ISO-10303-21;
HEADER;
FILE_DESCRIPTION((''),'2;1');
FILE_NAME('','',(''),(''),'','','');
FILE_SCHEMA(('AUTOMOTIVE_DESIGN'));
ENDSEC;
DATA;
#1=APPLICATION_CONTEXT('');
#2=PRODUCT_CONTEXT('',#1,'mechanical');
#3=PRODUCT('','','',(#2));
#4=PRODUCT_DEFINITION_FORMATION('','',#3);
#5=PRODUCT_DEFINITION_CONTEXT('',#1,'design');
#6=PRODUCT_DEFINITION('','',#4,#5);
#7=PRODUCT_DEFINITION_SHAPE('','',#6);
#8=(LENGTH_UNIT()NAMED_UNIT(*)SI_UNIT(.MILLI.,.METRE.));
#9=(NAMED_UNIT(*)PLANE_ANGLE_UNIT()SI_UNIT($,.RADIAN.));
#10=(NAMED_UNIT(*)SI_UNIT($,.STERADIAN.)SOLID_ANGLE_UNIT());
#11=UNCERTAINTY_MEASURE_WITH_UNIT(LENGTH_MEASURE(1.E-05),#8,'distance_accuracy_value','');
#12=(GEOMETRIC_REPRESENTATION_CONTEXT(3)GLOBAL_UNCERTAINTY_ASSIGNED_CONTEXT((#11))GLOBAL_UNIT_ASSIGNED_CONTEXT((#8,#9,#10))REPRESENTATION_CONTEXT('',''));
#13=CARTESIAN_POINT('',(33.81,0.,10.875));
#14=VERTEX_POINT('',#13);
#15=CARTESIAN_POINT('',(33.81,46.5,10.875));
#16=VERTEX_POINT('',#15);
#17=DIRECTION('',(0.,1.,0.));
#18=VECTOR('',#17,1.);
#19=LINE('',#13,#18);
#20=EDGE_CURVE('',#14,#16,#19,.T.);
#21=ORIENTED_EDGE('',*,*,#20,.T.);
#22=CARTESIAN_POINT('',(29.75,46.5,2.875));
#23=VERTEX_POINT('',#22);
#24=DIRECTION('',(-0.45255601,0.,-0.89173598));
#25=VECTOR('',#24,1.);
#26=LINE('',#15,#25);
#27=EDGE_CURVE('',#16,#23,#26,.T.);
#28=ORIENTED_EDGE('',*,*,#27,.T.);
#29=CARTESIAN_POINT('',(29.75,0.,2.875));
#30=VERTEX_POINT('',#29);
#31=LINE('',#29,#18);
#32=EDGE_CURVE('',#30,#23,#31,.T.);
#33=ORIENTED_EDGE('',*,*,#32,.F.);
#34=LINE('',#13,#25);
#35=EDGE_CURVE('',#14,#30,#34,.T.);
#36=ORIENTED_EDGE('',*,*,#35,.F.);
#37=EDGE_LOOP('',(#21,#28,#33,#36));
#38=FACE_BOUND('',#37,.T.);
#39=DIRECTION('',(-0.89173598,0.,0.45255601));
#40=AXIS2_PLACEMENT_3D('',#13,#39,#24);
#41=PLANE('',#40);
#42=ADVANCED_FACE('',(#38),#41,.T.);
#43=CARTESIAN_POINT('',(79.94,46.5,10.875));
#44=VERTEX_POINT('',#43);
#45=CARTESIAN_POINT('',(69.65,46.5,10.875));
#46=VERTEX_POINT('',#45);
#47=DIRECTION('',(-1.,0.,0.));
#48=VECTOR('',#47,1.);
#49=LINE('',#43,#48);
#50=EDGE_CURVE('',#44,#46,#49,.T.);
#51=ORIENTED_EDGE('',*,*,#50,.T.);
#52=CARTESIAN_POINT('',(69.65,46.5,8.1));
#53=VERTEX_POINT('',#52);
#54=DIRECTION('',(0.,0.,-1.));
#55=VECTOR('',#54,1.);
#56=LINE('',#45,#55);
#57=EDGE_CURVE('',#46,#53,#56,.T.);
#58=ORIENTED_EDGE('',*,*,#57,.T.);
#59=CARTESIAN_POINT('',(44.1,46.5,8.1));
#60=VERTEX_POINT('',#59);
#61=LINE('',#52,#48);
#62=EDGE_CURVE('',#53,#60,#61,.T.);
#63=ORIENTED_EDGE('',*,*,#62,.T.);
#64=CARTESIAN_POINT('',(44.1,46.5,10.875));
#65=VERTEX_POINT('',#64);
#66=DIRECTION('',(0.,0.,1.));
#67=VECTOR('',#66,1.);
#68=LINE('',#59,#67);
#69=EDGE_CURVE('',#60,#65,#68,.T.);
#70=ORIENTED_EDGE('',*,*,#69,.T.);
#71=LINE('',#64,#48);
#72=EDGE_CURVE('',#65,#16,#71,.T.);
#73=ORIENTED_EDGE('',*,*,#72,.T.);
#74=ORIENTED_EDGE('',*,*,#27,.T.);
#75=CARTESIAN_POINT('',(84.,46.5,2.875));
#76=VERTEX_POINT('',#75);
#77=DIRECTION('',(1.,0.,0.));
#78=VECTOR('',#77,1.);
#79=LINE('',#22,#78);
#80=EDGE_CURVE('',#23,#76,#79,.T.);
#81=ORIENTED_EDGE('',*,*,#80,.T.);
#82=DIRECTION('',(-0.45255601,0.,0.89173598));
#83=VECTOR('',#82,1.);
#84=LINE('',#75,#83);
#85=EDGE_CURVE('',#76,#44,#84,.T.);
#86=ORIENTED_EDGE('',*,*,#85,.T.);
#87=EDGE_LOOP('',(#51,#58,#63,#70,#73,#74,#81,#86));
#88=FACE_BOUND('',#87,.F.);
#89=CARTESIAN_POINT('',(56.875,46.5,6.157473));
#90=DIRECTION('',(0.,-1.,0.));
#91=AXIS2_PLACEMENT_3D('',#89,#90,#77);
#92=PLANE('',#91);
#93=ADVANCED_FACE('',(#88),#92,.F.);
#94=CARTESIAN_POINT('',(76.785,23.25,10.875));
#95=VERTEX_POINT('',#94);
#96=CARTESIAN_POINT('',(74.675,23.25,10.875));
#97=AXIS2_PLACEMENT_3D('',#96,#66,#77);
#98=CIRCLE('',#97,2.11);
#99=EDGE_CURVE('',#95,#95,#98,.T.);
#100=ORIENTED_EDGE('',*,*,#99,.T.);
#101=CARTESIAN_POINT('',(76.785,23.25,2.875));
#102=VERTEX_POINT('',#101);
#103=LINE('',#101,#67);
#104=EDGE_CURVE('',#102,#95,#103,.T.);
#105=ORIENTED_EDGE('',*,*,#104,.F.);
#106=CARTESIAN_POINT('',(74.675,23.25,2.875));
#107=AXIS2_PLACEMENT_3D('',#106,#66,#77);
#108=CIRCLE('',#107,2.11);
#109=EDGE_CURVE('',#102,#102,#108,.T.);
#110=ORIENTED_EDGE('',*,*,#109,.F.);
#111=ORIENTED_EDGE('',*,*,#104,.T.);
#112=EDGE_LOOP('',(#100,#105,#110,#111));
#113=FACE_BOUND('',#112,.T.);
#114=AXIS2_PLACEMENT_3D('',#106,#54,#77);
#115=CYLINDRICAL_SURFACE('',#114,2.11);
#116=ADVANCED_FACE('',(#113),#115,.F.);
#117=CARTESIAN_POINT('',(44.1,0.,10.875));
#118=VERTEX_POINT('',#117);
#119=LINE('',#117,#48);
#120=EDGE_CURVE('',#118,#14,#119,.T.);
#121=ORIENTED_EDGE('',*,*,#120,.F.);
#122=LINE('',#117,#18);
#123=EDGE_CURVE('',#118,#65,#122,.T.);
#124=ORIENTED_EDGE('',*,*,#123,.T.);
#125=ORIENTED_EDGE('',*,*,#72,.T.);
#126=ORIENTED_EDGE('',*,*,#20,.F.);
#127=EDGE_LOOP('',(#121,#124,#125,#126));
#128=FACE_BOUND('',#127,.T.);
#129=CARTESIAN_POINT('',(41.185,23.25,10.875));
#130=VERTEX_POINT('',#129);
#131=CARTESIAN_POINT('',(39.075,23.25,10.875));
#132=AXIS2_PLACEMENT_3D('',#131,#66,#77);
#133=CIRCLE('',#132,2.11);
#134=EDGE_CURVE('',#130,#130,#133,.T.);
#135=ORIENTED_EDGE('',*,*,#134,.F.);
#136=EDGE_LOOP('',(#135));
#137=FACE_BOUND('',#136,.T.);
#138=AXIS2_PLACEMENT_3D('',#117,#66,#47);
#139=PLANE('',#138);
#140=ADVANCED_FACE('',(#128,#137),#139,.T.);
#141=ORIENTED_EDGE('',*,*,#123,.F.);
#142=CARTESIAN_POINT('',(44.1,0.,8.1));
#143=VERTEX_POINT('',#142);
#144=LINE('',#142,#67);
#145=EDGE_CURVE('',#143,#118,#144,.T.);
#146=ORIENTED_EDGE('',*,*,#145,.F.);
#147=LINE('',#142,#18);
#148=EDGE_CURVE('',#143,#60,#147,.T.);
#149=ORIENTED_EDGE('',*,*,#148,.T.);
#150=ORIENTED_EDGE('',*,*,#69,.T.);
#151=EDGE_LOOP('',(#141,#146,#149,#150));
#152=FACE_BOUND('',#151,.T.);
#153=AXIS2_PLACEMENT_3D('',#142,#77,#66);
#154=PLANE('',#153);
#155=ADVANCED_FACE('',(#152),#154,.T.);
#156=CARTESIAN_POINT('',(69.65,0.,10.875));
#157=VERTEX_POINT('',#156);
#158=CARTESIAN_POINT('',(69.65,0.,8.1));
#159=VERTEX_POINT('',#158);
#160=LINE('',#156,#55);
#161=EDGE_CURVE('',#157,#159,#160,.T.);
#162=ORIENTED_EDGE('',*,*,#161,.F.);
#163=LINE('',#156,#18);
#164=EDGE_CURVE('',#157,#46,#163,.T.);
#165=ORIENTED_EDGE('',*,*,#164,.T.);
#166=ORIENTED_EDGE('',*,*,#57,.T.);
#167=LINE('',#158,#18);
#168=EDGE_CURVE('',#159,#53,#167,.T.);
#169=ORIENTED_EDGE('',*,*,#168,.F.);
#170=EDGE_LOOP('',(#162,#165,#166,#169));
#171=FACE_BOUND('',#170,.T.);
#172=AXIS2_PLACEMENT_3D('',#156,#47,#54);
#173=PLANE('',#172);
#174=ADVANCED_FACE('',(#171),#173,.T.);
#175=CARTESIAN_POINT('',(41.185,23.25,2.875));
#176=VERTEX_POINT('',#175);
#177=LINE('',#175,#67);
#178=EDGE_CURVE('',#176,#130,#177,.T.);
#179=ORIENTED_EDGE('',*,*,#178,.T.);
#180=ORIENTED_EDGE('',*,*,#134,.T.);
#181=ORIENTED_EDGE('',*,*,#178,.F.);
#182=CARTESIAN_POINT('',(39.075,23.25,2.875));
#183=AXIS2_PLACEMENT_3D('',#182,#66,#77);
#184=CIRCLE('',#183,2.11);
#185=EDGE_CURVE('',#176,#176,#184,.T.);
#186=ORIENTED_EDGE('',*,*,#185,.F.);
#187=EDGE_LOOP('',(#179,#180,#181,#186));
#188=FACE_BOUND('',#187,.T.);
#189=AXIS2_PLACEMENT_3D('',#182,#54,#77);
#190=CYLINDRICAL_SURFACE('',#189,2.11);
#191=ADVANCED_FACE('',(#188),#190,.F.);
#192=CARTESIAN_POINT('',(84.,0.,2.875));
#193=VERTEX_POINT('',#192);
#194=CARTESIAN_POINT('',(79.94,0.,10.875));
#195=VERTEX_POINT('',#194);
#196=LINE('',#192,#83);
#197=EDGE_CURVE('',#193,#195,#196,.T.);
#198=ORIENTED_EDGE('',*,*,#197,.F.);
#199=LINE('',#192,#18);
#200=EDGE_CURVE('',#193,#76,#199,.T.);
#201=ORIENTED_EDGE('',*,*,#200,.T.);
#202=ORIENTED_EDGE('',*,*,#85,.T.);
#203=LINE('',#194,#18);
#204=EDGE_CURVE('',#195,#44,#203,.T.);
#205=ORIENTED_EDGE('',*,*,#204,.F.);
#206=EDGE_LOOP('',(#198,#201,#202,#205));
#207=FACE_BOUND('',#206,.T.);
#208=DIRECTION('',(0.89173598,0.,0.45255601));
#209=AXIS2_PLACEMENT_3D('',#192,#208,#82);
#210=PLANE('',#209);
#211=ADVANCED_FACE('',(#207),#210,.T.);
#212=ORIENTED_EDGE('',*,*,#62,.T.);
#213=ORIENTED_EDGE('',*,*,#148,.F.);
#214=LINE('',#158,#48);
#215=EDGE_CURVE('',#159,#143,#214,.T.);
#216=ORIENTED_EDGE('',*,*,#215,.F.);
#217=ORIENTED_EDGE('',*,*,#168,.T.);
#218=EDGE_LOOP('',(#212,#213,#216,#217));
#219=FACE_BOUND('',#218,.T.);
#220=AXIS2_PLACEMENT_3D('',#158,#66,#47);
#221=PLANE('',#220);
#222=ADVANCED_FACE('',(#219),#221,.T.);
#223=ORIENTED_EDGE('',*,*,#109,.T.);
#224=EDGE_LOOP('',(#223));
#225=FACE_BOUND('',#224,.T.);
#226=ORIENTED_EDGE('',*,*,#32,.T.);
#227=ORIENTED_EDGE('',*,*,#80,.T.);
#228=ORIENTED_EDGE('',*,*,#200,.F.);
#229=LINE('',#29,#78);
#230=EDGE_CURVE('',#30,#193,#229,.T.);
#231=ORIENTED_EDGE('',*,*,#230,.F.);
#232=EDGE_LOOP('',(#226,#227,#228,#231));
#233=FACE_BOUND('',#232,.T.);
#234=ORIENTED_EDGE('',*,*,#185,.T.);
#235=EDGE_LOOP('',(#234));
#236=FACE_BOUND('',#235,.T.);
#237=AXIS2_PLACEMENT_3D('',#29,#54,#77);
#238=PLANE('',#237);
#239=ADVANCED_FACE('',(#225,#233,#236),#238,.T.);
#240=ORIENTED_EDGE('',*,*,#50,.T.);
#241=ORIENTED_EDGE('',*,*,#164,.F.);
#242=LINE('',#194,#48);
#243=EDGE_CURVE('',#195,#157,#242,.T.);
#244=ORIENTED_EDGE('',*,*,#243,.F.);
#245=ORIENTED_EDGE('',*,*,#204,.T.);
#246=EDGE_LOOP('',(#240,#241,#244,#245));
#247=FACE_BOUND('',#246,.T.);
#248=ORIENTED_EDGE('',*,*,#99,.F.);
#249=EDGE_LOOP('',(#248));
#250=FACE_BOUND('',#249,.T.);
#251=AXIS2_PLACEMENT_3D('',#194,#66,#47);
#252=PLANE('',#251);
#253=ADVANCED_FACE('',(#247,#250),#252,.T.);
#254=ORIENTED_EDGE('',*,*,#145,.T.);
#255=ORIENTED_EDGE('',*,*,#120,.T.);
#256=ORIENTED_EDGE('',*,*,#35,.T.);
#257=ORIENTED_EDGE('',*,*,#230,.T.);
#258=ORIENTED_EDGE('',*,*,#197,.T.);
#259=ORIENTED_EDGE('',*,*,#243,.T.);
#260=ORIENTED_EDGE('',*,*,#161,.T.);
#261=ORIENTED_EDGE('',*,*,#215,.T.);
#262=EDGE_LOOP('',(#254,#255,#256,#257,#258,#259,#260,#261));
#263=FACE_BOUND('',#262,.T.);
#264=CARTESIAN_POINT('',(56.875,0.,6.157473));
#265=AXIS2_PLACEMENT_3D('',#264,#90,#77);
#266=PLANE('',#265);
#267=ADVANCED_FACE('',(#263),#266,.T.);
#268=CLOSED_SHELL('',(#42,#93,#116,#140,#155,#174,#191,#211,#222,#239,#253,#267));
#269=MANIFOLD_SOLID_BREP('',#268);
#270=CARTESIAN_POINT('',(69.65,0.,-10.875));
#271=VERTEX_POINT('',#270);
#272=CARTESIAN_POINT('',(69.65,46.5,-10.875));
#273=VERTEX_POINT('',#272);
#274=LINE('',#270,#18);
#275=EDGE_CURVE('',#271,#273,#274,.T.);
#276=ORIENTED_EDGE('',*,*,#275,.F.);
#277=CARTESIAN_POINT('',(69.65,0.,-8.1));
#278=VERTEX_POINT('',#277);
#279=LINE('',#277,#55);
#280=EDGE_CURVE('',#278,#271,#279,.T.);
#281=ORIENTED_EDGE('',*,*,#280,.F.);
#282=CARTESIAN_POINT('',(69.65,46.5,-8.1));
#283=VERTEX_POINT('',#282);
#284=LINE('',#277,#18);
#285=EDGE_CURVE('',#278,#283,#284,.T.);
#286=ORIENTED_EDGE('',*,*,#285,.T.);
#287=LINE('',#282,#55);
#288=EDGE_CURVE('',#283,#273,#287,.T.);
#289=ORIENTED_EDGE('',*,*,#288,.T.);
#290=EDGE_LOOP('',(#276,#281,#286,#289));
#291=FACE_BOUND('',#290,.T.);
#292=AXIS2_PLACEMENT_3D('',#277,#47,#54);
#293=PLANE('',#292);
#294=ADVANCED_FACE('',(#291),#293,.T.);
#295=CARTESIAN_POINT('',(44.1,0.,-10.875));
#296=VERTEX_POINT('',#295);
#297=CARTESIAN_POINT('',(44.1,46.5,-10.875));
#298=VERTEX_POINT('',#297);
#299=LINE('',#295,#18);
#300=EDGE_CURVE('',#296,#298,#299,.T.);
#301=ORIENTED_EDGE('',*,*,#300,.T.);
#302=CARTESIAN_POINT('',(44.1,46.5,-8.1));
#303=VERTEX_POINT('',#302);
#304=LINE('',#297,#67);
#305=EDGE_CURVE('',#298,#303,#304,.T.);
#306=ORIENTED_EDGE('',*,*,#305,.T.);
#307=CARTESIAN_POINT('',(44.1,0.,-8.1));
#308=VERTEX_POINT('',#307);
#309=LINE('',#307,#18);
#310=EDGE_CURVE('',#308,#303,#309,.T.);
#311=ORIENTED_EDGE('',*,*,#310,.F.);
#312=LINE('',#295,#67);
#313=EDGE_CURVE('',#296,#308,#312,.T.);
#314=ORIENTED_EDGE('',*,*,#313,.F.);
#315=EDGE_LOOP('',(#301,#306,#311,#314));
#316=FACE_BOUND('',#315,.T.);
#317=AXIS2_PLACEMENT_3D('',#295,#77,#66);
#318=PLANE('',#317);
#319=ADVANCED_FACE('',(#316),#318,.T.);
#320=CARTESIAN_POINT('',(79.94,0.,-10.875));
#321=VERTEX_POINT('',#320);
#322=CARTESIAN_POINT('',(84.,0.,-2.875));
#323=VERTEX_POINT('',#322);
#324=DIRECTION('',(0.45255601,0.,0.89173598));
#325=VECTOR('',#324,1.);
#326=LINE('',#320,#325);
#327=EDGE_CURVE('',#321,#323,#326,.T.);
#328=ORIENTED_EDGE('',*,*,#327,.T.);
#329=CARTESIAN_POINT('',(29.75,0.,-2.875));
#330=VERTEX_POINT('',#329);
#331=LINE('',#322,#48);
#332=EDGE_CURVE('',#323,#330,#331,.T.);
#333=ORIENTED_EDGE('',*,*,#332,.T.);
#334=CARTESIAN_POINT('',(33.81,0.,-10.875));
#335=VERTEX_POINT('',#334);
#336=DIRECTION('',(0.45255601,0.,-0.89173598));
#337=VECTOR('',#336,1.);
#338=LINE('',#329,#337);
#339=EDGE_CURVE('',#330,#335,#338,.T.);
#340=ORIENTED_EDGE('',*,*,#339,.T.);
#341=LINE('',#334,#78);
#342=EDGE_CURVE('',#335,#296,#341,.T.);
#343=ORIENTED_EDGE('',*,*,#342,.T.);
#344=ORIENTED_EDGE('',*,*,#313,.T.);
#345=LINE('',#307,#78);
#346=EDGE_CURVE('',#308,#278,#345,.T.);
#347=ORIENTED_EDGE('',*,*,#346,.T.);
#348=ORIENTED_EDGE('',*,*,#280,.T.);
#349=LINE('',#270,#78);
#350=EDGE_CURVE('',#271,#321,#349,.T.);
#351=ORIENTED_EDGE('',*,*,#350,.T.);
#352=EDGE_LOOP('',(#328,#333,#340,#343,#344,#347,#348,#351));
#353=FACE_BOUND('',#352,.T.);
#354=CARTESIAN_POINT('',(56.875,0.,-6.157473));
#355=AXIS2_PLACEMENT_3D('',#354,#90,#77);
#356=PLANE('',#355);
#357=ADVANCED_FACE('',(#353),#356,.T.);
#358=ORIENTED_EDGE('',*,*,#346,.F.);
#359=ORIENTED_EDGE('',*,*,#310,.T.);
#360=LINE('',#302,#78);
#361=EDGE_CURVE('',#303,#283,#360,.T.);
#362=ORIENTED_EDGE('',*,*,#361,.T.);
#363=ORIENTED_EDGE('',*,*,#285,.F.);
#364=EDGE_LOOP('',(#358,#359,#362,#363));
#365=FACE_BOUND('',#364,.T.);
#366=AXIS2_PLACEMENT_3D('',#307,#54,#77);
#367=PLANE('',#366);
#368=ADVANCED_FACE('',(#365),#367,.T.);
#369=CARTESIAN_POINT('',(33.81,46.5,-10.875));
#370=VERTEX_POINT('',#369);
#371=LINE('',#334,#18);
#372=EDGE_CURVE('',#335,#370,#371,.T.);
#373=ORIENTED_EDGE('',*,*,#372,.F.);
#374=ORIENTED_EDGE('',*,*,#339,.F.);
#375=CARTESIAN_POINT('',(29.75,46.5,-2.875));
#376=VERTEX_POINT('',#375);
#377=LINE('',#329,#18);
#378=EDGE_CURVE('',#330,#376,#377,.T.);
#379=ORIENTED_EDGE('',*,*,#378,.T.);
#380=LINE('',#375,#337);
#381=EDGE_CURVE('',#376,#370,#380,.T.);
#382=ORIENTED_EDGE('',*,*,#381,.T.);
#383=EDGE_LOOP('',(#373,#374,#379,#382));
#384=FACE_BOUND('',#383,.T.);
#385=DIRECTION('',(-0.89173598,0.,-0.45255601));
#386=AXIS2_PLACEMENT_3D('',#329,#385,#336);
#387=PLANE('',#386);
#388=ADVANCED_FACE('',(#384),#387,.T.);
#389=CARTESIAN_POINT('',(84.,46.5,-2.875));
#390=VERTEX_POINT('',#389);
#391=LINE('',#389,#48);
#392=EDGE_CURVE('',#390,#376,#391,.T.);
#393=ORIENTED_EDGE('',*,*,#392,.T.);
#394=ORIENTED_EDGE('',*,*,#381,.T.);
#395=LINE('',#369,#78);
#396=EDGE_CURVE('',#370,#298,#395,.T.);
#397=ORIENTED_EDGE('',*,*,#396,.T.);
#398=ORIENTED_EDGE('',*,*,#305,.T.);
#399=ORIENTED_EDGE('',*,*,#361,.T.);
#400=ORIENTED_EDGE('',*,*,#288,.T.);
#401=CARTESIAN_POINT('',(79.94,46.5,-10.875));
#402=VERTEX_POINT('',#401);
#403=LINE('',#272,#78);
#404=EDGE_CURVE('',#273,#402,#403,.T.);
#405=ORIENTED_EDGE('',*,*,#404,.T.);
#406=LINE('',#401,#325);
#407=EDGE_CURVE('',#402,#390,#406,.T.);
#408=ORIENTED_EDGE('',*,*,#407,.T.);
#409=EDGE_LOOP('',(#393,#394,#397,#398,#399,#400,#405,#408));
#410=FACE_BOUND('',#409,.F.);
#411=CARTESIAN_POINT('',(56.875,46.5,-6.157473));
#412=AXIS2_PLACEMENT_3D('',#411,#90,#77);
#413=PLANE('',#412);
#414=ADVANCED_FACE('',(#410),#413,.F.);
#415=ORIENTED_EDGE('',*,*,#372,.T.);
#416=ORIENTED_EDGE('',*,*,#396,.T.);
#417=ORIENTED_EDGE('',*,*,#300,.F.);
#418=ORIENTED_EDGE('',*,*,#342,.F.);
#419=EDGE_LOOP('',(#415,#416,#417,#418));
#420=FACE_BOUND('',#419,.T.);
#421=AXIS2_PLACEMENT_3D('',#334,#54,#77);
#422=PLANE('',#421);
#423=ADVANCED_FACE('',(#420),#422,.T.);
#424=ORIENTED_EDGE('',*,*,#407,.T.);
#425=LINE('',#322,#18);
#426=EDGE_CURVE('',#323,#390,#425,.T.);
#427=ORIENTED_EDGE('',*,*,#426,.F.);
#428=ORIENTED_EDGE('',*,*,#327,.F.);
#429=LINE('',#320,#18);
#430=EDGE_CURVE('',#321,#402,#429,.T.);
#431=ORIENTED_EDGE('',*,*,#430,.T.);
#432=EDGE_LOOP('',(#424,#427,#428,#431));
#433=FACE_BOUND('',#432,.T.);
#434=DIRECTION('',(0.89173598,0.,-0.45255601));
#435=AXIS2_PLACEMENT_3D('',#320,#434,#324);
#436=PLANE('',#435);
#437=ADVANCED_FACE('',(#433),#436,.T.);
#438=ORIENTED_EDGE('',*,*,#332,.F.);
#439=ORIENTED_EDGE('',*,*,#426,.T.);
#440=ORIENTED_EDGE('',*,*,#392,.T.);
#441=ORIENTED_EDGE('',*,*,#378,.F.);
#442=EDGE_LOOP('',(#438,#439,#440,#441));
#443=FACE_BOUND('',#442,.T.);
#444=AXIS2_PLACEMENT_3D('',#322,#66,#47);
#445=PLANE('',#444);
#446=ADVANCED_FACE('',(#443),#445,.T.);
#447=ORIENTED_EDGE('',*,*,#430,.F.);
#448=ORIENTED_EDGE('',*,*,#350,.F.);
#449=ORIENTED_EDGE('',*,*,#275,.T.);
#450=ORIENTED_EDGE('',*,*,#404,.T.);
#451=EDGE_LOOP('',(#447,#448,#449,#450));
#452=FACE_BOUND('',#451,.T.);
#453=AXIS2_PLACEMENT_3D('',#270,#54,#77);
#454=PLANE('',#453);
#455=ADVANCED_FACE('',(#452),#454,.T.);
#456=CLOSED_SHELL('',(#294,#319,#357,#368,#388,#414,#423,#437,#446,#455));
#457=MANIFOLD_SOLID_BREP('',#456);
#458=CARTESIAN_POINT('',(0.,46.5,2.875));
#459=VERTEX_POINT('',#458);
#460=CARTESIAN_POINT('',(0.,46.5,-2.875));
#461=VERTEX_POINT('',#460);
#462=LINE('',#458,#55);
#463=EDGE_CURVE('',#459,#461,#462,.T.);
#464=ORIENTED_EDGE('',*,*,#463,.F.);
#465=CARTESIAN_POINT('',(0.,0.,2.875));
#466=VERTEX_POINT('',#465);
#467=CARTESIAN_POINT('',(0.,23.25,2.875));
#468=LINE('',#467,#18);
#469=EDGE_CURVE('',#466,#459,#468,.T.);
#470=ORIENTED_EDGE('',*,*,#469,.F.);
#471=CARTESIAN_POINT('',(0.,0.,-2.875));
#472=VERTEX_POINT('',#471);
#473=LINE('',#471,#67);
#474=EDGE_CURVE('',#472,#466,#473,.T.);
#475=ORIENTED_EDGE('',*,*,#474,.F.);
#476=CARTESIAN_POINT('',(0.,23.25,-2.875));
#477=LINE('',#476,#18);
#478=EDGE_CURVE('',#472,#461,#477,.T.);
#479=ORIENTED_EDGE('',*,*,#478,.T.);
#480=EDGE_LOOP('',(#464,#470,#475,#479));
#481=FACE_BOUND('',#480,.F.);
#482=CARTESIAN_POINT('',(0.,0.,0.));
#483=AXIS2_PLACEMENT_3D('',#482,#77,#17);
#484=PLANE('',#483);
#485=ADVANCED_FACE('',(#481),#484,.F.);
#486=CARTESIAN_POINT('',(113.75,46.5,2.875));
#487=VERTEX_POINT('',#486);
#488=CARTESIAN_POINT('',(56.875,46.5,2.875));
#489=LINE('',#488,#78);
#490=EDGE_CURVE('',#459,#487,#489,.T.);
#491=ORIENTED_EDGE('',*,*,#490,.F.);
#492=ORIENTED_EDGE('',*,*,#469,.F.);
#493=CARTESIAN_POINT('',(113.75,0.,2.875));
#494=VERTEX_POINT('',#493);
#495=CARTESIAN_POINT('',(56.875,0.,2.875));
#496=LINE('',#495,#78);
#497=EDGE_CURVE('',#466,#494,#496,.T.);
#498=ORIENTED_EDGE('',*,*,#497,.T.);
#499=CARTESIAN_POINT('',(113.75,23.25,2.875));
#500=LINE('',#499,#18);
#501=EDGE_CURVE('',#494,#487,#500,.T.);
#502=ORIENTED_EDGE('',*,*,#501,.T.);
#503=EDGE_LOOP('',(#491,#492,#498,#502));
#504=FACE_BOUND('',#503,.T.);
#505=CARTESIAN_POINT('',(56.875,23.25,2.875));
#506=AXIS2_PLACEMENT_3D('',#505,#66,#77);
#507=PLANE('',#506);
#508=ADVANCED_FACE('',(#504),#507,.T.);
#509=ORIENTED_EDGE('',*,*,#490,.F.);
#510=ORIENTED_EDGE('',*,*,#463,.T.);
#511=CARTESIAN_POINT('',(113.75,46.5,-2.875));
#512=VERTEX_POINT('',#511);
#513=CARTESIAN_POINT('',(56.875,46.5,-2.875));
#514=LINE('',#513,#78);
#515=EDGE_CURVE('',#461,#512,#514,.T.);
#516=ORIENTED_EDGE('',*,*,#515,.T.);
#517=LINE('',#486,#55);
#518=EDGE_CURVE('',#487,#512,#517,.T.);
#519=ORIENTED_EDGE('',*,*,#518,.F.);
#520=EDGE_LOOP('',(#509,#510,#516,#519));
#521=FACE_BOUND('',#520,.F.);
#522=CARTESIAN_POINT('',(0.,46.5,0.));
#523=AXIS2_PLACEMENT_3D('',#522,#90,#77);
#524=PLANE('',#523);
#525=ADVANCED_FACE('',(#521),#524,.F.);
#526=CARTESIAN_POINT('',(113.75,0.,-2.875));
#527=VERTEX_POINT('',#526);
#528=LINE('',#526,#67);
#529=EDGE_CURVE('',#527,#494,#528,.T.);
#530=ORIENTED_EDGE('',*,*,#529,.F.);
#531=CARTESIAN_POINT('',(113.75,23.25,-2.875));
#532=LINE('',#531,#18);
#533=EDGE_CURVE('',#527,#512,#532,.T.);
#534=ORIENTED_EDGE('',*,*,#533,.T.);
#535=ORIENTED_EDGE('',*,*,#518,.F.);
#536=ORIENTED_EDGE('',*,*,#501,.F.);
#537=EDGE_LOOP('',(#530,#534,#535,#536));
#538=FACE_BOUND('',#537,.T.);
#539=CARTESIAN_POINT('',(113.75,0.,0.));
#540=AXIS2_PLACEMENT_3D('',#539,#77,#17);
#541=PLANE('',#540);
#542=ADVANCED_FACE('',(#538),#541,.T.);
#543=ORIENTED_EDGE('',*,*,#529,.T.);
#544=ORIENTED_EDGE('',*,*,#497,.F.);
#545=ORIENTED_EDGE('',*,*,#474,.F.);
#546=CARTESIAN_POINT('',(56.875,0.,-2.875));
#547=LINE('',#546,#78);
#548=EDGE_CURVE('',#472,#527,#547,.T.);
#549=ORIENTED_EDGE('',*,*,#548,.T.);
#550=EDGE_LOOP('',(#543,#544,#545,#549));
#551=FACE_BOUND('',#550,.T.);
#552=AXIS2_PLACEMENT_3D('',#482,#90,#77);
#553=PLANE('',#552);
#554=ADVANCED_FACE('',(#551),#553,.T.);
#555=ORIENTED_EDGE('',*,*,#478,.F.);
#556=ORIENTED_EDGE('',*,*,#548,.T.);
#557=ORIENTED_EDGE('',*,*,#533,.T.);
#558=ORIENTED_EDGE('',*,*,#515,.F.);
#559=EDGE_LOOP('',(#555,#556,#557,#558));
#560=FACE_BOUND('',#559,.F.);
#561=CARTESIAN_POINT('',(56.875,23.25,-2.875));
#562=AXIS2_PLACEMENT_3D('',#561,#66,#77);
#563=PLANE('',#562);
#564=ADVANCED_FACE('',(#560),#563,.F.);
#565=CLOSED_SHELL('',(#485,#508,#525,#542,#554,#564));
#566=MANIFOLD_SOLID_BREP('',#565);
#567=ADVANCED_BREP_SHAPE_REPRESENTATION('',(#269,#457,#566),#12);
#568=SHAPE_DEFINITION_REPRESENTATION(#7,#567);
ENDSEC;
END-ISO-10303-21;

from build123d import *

# Parameters (mm, degrees)
F0_W     = 113.75
F0_H     = 46.5
F1_DEPTH = 2.875
F3_DEPTH = 46.5
F4_R     = 2.11
F5_DEPTH = 8


with BuildPart() as f1:
    # F0 (on Top) → F1 (new body, symmetric)
    with BuildSketch(Plane.XY):
        with Locations((56.875, 23.25)):
            Rectangle(F0_W, F0_H)
    extrude(amount=F1_DEPTH, both=True)


with BuildPart() as f3:
    # F2 (on face) → F3 (new body)
    with BuildSketch(Plane.XZ):
        Polygon((84, -2.875), (29.75, -2.875), (33.81, -10.875), (44.1, -10.875), (44.1, -8.1), (69.65, -8.1), (69.65, -10.875), (79.94, -10.875), align=None)
        Polygon((33.81, 10.875), (29.75, 2.875), (84, 2.875), (79.94, 10.875), (69.65, 10.875), (69.65, 8.1), (44.1, 8.1), (44.1, 10.875), align=None)
    extrude(amount=-F3_DEPTH)

    # F4 (on face) → F5 (cut, through all)
    with BuildSketch(Plane.XY.offset(2.875)):
        with Locations((39.075, 23.25)):
            Circle(F4_R)
        with Locations((74.675, 23.25)):
            Circle(F4_R)
    extrude(amount=F5_DEPTH, mode=Mode.SUBTRACT)


solid = Compound([f1.part, f3.part])
